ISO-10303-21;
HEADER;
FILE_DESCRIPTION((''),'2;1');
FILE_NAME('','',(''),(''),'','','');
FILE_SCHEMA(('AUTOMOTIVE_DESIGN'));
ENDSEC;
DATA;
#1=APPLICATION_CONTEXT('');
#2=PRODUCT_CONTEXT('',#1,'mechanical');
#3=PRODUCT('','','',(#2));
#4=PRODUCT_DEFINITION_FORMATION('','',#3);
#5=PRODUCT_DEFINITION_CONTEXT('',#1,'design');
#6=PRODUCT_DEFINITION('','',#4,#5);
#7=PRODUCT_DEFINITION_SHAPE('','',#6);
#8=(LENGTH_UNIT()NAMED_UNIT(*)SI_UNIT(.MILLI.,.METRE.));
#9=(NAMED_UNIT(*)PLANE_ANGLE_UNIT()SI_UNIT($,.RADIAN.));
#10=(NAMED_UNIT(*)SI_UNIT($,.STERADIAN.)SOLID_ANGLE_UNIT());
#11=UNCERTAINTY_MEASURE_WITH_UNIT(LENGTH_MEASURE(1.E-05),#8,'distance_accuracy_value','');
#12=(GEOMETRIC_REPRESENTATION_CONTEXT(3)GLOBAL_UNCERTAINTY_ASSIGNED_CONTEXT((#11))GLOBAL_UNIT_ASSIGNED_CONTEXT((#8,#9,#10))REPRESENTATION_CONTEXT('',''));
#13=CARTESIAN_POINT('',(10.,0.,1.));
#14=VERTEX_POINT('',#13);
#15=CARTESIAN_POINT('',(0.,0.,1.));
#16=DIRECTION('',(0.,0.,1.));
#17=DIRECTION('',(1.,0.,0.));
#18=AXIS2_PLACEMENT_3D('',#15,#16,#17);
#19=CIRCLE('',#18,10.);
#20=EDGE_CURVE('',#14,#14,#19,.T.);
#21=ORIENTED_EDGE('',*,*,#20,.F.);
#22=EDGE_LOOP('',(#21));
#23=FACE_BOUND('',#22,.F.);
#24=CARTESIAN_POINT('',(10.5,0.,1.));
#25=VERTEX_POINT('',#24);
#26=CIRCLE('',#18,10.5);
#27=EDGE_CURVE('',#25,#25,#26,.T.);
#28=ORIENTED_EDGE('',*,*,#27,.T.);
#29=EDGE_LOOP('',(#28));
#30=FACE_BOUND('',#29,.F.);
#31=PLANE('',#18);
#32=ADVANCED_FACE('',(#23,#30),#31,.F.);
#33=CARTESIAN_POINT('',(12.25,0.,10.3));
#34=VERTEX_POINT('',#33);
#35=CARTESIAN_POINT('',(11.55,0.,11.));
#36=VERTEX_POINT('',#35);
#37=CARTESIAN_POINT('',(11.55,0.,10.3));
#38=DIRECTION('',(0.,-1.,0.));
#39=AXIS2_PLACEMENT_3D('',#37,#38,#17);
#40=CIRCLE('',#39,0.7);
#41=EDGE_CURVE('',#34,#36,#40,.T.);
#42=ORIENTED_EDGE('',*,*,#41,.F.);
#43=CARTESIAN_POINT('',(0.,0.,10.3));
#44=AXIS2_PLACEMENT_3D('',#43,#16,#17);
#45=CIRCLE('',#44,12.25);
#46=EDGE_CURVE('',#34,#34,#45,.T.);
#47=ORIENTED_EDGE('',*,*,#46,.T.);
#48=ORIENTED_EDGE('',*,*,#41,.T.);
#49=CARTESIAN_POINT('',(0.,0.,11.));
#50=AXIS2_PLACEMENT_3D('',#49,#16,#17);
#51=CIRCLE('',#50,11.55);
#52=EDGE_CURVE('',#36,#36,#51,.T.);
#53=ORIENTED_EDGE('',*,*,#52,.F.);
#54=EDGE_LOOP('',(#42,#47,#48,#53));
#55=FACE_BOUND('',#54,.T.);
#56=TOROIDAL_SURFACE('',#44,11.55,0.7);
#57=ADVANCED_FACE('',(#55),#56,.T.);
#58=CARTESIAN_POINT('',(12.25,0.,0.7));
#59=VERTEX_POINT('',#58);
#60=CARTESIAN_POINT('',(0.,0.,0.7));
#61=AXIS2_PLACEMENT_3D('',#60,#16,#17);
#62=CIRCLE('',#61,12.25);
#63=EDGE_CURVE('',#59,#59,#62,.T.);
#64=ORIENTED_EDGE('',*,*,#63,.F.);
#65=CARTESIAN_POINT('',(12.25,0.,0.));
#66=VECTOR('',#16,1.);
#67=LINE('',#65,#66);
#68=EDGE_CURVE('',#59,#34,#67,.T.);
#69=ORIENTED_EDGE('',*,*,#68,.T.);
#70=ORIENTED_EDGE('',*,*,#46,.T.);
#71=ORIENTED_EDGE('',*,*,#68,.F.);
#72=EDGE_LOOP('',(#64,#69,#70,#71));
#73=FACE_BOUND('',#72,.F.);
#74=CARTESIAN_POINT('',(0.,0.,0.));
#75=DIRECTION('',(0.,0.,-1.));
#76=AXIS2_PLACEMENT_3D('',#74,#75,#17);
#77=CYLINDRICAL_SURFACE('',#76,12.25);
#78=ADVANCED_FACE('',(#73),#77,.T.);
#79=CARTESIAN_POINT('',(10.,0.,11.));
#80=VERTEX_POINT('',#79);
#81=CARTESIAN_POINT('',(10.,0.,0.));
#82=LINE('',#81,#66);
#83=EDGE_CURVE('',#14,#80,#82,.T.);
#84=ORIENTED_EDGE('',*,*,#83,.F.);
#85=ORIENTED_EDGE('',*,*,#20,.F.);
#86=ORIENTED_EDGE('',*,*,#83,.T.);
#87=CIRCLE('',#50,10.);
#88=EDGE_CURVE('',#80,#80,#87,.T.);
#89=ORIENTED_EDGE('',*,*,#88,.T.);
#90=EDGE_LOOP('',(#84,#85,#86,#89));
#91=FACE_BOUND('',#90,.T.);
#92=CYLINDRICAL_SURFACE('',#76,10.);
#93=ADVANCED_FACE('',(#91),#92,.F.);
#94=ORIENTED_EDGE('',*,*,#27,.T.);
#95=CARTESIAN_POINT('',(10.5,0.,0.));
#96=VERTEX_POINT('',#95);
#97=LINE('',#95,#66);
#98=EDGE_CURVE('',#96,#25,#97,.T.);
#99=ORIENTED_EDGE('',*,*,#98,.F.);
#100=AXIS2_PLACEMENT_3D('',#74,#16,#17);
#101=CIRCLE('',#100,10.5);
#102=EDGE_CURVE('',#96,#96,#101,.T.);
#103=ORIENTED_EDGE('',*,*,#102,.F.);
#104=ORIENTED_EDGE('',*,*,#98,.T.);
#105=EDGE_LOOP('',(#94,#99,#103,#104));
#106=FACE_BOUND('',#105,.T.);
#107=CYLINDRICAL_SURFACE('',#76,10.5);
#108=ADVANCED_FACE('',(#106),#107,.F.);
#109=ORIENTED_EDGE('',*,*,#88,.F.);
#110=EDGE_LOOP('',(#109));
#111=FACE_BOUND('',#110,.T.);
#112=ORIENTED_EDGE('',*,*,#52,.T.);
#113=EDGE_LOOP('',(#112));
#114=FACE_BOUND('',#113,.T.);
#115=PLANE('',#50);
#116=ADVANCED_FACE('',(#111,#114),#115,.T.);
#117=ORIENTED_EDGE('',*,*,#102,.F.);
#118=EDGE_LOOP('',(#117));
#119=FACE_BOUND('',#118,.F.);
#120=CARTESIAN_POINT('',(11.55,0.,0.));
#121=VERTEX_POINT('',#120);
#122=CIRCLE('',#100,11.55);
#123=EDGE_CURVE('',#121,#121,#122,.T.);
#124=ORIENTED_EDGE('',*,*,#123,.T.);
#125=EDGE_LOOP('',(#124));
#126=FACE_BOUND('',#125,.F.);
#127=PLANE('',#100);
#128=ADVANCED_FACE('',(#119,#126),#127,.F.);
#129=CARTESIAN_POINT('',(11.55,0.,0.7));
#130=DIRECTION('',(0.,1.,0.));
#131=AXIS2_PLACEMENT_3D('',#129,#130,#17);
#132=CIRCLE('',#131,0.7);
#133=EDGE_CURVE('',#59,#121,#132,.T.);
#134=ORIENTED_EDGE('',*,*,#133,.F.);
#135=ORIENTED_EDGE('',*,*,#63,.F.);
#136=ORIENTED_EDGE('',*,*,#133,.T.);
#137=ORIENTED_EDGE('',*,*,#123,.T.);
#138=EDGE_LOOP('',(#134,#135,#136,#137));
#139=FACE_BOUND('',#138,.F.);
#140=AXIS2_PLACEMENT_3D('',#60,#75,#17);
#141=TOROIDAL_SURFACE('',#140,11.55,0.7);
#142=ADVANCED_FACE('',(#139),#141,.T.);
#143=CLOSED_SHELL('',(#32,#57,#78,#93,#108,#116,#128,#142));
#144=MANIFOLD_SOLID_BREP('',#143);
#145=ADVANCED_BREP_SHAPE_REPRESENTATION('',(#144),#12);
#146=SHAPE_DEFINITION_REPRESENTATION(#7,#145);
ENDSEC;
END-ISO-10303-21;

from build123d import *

# Parameters (mm, degrees)
F0_R     = 12.25
F0_R_2   = 10.5
F0_R_3   = 10
F1_DEPTH = 11
F2_DEPTH = 1
F3_R     = 0.7


with BuildPart() as f1:
    # F0 (on Top) → F1 (new body)
    with BuildSketch(Plane.XY):
        Circle(F0_R)
        Circle(F0_R_2, mode=Mode.SUBTRACT)
        Circle(F0_R_2)
        Circle(F0_R_3, mode=Mode.SUBTRACT)
    extrude(amount=F1_DEPTH)

    # F0 (on Top) → F2 (cut)
    with BuildSketch(Plane.XY):
        Circle(F0_R_2)
        Circle(F0_R_3, mode=Mode.SUBTRACT)
    extrude(amount=F2_DEPTH, mode=Mode.SUBTRACT)

    # F3
    f3_edges = [f1.edges().sort_by_distance(p)[0] for p in [
        (-12.25, 0, 0),
        (-12.25, 0, 11),
    ]]
    fillet(f3_edges, radius=F3_R)


solid = f1.part
